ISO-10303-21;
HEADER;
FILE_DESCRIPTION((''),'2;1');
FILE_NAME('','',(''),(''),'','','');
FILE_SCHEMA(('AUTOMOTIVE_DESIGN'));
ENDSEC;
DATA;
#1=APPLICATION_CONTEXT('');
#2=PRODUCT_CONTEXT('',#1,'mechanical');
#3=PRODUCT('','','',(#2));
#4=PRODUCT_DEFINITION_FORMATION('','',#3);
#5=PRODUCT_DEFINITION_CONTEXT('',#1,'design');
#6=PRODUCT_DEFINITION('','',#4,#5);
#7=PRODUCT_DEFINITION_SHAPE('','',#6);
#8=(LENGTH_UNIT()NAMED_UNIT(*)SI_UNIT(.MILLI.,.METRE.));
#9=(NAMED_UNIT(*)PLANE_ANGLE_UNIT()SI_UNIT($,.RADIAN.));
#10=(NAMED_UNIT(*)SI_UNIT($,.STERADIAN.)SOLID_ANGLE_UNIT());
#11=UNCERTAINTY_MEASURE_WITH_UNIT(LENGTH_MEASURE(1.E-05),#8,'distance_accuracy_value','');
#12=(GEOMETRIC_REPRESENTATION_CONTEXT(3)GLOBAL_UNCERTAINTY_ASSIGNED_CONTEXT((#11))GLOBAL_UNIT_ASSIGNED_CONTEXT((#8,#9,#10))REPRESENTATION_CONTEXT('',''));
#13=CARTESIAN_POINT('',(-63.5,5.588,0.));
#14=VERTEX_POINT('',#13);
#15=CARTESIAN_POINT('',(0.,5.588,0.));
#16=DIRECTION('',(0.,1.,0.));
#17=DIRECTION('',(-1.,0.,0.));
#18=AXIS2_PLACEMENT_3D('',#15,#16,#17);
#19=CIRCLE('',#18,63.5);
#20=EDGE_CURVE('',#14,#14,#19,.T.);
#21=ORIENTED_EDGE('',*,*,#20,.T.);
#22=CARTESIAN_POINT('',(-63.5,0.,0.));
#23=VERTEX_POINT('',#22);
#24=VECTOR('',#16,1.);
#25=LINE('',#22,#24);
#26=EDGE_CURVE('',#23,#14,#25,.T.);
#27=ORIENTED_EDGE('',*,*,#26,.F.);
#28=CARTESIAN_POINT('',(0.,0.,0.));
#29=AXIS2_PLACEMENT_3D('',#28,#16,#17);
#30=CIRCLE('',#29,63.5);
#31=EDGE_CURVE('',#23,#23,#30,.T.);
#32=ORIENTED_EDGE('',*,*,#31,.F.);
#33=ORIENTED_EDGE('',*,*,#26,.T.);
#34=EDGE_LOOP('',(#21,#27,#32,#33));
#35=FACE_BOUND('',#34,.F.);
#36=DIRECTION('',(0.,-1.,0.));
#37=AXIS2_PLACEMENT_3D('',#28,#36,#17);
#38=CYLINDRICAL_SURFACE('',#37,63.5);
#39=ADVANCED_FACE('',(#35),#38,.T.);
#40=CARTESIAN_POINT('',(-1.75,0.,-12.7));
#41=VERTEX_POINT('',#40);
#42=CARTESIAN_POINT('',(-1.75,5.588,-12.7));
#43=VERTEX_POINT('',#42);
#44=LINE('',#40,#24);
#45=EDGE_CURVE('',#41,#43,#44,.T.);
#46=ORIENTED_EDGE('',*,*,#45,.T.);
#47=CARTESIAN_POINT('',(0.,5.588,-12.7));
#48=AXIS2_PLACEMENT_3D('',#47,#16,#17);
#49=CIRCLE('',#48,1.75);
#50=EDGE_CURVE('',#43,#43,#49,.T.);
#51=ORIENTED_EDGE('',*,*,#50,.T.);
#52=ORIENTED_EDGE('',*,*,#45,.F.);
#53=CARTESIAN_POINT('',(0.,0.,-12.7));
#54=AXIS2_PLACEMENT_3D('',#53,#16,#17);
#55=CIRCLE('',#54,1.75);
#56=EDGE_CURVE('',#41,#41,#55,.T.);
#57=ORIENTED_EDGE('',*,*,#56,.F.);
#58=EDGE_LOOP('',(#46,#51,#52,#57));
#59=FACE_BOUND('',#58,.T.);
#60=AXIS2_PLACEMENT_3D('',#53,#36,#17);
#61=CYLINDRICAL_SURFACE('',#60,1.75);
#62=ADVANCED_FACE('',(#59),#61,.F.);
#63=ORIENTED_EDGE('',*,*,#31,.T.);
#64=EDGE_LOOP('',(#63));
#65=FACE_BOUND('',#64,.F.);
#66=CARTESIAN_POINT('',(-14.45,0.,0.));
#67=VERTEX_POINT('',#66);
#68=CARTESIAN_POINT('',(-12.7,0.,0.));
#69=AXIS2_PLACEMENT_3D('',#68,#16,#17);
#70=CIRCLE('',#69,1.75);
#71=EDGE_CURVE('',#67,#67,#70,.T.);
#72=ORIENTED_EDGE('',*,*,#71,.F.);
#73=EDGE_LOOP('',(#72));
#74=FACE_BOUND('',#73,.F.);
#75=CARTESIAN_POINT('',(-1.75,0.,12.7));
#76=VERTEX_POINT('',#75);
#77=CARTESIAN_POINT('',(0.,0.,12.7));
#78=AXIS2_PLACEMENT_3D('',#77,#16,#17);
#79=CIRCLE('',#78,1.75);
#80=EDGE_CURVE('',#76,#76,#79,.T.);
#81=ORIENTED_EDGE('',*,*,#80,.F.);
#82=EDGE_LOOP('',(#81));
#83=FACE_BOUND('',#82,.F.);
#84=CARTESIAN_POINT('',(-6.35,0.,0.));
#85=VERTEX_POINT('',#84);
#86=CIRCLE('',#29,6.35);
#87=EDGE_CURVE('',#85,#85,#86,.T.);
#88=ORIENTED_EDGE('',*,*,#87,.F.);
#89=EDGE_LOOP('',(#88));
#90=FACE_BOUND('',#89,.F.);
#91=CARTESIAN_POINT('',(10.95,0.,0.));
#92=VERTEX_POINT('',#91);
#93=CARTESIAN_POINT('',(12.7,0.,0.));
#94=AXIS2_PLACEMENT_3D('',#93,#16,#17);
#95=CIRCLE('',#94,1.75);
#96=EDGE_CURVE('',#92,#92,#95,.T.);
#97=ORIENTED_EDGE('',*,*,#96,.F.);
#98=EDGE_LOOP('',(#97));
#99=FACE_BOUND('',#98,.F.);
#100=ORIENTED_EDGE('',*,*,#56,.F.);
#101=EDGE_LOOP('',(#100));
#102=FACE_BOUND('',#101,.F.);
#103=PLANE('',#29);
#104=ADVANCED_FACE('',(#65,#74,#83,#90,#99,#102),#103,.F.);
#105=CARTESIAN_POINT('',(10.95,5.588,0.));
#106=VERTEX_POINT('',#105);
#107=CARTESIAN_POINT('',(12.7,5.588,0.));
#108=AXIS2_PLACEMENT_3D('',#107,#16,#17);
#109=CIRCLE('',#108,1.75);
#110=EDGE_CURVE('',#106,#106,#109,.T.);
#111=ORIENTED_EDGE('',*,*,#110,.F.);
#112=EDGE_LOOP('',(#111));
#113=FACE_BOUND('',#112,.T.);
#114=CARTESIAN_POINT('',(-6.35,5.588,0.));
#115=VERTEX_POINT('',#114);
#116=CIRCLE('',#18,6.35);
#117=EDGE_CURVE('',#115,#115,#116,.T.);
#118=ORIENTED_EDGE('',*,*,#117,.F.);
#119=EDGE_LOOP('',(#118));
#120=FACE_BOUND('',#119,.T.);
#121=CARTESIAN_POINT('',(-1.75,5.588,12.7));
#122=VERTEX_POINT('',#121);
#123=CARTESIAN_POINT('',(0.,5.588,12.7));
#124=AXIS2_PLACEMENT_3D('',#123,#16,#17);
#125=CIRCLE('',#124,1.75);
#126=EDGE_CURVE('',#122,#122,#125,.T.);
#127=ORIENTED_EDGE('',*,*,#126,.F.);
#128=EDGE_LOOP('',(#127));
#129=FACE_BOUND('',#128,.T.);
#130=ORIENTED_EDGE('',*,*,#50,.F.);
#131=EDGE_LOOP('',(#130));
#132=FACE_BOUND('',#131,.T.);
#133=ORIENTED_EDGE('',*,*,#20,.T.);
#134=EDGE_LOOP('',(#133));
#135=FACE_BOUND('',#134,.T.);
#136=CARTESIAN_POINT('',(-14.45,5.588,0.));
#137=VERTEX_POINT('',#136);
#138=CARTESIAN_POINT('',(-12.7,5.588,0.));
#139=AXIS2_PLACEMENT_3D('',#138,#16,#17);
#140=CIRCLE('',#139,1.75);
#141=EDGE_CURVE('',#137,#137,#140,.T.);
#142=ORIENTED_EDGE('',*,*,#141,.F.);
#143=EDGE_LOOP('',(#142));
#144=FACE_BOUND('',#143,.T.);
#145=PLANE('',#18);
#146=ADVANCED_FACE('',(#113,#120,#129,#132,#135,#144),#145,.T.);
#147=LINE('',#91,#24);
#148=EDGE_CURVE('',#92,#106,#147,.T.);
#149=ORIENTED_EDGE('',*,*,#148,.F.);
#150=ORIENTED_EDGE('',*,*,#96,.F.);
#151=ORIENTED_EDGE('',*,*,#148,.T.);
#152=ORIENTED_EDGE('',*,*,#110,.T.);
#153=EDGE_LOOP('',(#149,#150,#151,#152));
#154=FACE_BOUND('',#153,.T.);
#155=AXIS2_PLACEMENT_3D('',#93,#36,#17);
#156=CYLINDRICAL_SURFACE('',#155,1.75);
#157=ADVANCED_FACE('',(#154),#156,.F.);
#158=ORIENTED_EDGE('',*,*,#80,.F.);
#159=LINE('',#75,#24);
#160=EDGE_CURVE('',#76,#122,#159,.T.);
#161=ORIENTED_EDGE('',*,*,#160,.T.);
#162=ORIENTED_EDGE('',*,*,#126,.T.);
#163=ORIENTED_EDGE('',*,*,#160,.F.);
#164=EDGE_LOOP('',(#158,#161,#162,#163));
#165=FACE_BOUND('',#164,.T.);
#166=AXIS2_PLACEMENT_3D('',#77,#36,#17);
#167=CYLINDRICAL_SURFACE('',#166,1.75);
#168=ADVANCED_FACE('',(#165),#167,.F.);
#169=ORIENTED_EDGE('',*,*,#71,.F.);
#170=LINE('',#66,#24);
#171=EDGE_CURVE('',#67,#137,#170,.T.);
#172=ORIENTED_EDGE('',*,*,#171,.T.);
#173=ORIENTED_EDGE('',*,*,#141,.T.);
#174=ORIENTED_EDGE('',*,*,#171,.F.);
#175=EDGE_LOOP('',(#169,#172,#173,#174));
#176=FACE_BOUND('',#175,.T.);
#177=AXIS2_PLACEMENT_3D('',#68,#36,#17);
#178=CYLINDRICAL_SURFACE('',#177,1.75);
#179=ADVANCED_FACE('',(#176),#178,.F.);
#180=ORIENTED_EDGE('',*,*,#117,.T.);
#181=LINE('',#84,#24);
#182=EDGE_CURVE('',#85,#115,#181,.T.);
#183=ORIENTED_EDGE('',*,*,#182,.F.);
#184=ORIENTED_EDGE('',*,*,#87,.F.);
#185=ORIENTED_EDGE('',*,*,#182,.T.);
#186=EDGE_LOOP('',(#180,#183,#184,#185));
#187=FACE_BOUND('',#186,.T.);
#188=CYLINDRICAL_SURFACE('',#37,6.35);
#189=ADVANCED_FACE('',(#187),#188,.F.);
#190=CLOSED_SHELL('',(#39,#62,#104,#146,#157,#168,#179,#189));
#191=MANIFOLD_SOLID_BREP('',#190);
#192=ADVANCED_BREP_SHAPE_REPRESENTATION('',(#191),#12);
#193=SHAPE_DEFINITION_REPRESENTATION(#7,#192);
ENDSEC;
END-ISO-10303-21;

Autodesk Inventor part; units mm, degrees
ref_plane "YZ Plane" through (0, 0, 0) normal (1, 0, 0) x (0, 1, 0)
ref_plane "XZ Plane" through (0, 0, 0) normal (0, 1, 0) x (-1, 0, 0)
ref_plane "XY Plane" through (0, 0, 0) normal (0, 0, 1) x (1, 0, 0)
sketch "Sketch1" plane through (0, 0, 0) normal (0, 1, 0) x (-1, 0, 0)
  circle A0 centre (0, 0) radius 63.5
  circle A1 centre (0, 0) radius 6.35
  circle A2 centre (-12.7, 0) radius 1.75
  circle A3 centre (0, -12.7) radius 1.75
  circle A4 centre (12.7, 0) radius 1.75
  circle A5 centre (0, 12.7) radius 1.75
  dimension "d8" = 3.5
  dimension "d9" = 3.5
  dimension "d10" = 3.5
  dimension "d11" = 3.5
extrude "Extrusion1" add sketch "Sketch1" along normal blind 5.588
properties part number "AcrylicFlywheel1"
